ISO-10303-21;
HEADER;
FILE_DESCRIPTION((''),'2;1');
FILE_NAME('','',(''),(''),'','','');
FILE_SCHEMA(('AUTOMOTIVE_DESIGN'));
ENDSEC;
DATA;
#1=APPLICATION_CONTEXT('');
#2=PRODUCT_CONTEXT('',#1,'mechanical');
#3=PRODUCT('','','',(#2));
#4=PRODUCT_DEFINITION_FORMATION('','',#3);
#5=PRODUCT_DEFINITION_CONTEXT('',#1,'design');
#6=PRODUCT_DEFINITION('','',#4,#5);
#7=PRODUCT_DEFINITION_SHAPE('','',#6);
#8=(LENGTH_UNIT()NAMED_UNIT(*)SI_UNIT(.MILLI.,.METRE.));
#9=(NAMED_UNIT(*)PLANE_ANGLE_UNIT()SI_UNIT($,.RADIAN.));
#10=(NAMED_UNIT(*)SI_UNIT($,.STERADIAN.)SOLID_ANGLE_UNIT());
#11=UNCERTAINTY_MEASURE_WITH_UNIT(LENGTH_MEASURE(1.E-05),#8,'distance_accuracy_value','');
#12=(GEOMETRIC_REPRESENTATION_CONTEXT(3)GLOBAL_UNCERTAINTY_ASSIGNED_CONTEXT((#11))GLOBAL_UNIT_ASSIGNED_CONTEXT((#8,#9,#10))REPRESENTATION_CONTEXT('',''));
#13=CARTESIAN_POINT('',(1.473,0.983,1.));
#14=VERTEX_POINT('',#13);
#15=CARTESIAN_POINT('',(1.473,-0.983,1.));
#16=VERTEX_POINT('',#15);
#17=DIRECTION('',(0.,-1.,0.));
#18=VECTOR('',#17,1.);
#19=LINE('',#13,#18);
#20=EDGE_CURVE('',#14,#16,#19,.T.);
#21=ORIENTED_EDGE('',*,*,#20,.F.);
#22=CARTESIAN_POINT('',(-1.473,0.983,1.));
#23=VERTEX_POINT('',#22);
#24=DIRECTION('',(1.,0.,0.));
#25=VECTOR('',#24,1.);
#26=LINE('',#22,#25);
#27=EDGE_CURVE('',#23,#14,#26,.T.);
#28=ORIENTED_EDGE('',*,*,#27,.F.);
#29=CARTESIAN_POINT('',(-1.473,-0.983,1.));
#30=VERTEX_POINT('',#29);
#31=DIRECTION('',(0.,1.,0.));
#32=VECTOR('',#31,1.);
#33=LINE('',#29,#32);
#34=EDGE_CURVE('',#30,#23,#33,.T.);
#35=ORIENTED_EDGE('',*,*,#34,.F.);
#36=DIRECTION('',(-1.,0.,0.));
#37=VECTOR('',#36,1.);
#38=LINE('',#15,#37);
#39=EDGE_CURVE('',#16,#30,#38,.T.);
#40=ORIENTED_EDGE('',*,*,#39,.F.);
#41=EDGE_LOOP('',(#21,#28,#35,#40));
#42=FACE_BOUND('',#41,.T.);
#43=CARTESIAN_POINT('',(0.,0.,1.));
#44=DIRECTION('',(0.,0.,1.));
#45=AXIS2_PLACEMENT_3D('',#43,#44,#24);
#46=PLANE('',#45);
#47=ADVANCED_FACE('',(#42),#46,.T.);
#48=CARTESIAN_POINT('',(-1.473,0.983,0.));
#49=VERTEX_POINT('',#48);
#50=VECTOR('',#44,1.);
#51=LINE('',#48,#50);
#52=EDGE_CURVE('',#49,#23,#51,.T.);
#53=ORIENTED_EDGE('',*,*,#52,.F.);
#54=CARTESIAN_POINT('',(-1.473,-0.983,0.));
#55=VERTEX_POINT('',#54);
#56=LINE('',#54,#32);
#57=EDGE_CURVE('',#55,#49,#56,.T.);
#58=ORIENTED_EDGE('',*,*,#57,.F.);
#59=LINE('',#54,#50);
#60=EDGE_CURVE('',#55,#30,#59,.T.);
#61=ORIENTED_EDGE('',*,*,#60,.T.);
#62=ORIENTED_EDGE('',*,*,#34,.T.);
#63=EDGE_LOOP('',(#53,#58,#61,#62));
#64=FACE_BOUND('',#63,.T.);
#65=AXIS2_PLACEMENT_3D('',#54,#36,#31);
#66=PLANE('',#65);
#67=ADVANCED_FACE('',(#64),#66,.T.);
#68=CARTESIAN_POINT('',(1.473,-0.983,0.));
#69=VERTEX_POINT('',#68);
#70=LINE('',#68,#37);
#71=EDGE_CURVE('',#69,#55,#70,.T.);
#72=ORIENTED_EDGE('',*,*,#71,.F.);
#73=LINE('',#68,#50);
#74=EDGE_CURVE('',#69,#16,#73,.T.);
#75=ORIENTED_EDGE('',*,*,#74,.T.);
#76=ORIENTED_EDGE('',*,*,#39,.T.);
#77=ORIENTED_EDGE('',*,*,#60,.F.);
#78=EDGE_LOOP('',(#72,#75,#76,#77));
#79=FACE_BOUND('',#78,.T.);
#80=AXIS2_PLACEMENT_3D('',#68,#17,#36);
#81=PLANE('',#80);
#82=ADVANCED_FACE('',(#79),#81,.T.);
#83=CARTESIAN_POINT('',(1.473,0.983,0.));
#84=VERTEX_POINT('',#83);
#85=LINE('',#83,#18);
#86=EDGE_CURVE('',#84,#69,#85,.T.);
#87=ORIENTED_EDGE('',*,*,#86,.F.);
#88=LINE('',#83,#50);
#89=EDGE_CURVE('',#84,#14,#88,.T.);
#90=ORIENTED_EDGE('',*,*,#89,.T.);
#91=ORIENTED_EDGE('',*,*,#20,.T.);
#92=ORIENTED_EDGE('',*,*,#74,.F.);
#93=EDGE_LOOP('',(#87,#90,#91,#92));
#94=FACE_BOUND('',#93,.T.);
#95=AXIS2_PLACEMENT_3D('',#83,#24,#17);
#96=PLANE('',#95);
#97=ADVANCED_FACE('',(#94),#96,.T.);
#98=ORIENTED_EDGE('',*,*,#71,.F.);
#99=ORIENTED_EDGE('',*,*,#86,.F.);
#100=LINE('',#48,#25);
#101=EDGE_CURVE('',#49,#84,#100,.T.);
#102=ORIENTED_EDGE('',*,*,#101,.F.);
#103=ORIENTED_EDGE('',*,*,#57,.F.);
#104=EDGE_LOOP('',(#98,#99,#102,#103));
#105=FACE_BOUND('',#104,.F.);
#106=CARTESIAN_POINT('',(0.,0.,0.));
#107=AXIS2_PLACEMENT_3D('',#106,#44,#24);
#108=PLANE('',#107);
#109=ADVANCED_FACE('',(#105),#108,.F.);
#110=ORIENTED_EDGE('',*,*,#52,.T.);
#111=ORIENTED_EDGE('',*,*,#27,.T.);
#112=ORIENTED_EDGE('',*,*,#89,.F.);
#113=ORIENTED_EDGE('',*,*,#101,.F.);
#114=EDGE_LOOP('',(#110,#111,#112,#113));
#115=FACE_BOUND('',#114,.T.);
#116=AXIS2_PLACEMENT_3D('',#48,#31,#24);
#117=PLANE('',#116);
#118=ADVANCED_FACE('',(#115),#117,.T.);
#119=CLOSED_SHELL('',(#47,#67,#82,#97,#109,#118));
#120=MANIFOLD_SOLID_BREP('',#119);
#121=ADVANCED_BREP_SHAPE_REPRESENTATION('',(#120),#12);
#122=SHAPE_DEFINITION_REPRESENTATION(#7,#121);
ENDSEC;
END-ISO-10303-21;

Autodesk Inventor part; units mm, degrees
ref_plane "YZ Plane" through (0, 0, 0) normal (1, 0, 0) x (0, 1, 0)
ref_plane "XZ Plane" through (0, 0, 0) normal (0, 1, 0) x (-1, 0, 0)
ref_plane "XY Plane" through (0, 0, 0) normal (0, 0, 1) x (1, 0, 0)
sketch "R0603, 1M_54" plane through (0, 0, 0) normal (0, 0, 1) x (1, 0, 0)
  line L0 (-1.473, 0.983) -> (1.473, 0.983)
  line L1 (1.473, 0.983) -> (1.473, -0.983)
  line L2 (1.473, -0.983) -> (-1.473, -0.983)
  line L3 (-1.473, -0.983) -> (-1.473, 0.983)
extrude "Extrusion1" add sketch "R0603, 1M_54" along normal blind 1
properties part number "1M"
